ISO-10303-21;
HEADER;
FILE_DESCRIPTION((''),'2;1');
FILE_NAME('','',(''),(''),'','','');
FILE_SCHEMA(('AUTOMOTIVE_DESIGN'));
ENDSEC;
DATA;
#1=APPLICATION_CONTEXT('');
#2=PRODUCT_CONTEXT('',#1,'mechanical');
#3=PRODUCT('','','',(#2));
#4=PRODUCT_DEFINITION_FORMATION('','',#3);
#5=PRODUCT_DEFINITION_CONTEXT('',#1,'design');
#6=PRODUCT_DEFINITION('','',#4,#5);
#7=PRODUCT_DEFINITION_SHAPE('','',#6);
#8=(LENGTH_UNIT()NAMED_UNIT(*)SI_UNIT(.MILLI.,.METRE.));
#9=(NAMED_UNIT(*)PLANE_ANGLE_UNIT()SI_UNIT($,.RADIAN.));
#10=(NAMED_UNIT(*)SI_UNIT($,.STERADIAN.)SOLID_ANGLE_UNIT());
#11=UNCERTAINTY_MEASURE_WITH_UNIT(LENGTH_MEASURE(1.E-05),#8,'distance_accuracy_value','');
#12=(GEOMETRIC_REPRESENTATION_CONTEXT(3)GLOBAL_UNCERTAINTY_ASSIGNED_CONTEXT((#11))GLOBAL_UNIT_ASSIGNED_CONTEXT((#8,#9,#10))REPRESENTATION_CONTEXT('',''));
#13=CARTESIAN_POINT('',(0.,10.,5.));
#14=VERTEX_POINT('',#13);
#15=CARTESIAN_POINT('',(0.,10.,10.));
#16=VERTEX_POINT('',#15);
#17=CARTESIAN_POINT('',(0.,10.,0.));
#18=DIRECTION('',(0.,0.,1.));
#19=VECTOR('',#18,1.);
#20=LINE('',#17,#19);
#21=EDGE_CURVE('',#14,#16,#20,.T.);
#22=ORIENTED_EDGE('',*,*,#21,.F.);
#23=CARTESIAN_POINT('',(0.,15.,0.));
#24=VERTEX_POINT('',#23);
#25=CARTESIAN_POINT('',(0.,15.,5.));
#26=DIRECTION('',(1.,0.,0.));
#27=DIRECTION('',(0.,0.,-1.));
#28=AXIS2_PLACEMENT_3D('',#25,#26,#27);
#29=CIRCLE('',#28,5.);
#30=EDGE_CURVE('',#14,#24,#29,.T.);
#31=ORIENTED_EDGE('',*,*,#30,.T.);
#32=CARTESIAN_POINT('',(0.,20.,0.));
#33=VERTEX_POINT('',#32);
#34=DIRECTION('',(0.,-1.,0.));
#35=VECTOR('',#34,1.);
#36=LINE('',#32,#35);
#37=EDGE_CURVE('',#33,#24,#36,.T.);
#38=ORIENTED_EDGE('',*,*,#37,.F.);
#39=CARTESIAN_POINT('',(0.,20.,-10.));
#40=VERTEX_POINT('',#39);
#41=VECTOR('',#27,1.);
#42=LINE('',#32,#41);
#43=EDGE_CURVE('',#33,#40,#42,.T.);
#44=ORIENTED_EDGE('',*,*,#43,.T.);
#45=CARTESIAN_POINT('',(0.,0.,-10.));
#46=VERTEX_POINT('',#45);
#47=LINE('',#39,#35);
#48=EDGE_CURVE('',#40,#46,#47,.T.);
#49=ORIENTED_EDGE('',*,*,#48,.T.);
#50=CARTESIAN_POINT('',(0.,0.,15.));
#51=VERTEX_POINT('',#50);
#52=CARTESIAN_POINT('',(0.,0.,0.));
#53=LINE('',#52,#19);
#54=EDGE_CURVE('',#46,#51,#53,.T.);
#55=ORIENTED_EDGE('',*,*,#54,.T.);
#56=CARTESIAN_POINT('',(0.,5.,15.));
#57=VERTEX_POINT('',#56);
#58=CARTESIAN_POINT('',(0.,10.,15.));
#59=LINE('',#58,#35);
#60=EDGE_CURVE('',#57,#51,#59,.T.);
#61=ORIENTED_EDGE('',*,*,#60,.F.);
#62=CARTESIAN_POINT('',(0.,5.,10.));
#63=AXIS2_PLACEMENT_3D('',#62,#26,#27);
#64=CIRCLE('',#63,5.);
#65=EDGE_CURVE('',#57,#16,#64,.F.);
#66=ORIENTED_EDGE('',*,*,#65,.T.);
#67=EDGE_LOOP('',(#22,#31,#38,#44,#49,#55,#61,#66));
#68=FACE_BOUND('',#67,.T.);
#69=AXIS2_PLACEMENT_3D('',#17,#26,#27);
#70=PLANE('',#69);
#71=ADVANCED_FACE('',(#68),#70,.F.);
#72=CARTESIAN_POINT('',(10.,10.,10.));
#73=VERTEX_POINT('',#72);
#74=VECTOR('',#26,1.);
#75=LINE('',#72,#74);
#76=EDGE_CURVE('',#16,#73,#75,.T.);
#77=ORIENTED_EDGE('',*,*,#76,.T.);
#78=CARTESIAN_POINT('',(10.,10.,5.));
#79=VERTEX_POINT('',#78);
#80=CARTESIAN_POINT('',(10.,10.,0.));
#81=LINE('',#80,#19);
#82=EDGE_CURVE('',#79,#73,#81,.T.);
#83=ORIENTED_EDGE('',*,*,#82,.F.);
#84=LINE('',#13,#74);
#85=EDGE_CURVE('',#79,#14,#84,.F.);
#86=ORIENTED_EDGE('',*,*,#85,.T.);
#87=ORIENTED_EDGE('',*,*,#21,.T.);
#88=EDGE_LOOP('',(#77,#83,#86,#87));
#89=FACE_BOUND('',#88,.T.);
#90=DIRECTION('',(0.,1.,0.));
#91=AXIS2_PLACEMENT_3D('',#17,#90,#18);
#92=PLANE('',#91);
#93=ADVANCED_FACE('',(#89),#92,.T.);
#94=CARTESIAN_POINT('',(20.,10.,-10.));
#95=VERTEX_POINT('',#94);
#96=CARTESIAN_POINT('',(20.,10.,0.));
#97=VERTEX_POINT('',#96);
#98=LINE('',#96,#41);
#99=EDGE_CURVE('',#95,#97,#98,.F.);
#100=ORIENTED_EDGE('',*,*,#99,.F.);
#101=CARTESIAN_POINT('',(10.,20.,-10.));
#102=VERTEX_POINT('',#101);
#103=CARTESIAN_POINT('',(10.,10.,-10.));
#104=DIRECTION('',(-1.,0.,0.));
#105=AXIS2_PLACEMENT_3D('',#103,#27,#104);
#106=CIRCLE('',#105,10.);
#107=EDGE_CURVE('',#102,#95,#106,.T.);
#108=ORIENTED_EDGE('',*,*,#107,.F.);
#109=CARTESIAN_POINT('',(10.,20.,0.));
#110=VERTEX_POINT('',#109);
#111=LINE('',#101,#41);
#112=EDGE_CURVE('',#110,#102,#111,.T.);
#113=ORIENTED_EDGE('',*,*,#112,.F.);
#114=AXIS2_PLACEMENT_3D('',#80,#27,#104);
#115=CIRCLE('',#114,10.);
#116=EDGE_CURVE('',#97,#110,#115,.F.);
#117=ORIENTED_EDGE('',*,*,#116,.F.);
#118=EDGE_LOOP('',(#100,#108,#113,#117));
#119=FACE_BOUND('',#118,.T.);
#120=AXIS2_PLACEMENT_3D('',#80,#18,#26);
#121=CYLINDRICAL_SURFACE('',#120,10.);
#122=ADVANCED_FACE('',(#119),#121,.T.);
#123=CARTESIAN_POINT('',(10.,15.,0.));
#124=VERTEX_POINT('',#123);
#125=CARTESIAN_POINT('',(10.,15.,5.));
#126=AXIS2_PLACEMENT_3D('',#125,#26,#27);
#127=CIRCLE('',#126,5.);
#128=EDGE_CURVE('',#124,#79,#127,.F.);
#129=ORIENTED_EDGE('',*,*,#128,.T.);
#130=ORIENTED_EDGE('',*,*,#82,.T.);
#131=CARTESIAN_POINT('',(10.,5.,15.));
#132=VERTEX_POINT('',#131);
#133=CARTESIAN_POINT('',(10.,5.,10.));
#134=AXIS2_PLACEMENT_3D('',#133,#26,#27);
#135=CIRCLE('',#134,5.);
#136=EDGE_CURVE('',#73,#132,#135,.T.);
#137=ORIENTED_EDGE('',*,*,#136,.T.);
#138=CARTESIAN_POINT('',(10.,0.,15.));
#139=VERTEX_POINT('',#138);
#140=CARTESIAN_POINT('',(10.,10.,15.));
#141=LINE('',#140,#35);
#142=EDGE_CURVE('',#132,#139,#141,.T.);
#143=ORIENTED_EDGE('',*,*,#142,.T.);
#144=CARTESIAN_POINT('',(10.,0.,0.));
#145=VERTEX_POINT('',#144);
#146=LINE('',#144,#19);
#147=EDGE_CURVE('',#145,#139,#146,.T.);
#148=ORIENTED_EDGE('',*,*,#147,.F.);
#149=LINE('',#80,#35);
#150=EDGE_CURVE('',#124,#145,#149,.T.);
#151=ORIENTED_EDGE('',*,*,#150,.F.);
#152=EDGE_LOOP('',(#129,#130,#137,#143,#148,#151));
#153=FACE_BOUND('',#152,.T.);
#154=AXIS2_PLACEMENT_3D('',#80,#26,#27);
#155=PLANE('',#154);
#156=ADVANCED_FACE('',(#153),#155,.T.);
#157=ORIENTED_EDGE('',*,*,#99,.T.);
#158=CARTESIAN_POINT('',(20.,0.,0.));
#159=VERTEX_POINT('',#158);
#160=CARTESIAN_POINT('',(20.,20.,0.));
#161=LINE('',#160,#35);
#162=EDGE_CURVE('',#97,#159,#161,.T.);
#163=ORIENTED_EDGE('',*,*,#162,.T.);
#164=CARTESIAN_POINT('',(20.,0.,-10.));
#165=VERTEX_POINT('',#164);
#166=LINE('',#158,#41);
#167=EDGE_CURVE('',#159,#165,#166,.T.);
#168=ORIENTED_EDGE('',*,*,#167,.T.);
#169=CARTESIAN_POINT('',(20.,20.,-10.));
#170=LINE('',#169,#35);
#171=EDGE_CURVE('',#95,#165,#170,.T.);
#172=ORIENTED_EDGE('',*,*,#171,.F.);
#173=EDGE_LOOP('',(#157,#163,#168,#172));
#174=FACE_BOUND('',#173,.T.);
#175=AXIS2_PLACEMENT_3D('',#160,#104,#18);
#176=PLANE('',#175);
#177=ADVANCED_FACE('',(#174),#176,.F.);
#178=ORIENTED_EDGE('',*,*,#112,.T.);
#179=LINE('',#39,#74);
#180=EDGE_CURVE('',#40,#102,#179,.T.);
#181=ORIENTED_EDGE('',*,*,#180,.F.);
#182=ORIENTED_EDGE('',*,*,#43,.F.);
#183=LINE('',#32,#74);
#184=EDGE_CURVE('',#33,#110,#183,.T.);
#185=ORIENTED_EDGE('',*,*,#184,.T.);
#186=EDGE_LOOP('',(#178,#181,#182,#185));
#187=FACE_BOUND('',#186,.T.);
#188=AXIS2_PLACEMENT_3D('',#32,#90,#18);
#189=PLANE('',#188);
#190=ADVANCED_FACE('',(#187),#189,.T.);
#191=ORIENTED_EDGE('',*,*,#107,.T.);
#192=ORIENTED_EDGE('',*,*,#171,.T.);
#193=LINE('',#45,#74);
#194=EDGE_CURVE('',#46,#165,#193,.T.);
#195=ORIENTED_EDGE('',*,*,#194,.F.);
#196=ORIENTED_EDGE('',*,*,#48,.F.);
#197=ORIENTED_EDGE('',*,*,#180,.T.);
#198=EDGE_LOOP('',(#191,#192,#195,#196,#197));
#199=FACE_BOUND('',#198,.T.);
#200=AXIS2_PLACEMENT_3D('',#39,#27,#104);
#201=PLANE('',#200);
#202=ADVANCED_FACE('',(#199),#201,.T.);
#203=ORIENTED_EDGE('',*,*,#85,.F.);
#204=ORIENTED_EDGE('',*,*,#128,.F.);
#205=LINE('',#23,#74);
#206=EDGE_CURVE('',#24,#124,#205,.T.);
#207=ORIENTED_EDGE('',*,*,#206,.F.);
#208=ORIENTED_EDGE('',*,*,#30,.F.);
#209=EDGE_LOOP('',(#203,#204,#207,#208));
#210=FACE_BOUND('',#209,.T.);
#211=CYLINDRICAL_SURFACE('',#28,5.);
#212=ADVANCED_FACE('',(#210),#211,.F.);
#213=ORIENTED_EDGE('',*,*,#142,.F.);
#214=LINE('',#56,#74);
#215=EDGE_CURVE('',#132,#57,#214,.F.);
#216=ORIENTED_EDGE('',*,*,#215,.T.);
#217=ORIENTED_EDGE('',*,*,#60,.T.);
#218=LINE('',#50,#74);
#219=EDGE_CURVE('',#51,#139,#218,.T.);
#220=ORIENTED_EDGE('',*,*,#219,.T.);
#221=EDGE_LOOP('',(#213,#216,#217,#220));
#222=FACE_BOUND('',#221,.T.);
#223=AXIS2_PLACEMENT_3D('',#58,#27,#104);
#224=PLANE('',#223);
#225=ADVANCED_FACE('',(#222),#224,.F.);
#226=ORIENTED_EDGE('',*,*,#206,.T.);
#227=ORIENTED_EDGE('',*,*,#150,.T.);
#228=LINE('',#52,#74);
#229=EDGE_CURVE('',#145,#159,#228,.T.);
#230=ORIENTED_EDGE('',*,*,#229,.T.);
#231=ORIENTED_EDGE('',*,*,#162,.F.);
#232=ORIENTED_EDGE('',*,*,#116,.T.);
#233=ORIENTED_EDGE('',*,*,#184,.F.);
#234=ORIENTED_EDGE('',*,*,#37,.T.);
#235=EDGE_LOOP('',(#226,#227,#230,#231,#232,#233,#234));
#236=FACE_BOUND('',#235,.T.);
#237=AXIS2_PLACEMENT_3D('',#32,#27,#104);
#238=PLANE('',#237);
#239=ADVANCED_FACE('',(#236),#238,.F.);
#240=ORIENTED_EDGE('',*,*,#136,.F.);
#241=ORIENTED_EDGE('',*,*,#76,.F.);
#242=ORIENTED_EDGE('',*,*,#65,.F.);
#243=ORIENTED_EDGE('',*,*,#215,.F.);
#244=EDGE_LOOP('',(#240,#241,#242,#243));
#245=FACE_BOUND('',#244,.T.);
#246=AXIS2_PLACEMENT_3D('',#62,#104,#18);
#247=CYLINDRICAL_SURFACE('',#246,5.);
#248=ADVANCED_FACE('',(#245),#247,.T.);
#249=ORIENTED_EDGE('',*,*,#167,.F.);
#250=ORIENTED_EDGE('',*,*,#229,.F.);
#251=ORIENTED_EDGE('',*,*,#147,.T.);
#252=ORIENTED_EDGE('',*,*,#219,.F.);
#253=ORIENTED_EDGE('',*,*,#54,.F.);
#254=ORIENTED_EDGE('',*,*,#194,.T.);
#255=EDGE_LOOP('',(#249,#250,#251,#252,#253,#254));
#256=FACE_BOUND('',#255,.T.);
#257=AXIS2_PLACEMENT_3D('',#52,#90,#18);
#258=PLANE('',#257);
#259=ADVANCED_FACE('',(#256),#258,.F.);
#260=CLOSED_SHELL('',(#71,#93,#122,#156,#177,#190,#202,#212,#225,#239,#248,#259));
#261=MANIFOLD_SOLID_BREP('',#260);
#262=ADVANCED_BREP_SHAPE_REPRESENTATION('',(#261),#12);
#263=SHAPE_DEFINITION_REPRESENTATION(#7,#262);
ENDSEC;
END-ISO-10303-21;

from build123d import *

# Parameters (mm, degrees)
SKETCH_1_W      = 10
SKETCH_1_H      = 15
EXTRUDE_1_DEPTH = 10
EXTRUDE_2_DEPTH = 20
FILLET_1_R      = 5
FILLET_2_R      = 10


with BuildPart() as part:
    # 草圖1 → 填料-伸長1 (new body)
    with BuildSketch(Plane(origin=(0, 0, 0), x_dir=(1, 0, 0), z_dir=(0, 1, 0))):
        with Locations((5, -7.5)):
            Rectangle(SKETCH_1_W, SKETCH_1_H)
    extrude(amount=EXTRUDE_1_DEPTH)

    # 草圖1<3> → 填料-伸長2 (add)
    with BuildSketch(Plane(origin=(0, 0, 0), x_dir=(1, 0, 0), z_dir=(0, 1, 0))):
        Polygon((0, 10), (0, 0), (10, 0), (20, 0), (20, 10), align=None)
    extrude(amount=EXTRUDE_2_DEPTH)

    # 圓角1
    fillet_1_edges = [part.edges().sort_by_distance(p)[0] for p in [
        (5, 10, 15),
        (5, 10, 0),
    ]]
    fillet(fillet_1_edges, radius=FILLET_1_R)

    # 圓角2
    fillet_2_edges = [part.edges().sort_by_distance(p)[0] for p in [
        (20, 20, -5),
    ]]
    fillet(fillet_2_edges, radius=FILLET_2_R)


solid = part.part
